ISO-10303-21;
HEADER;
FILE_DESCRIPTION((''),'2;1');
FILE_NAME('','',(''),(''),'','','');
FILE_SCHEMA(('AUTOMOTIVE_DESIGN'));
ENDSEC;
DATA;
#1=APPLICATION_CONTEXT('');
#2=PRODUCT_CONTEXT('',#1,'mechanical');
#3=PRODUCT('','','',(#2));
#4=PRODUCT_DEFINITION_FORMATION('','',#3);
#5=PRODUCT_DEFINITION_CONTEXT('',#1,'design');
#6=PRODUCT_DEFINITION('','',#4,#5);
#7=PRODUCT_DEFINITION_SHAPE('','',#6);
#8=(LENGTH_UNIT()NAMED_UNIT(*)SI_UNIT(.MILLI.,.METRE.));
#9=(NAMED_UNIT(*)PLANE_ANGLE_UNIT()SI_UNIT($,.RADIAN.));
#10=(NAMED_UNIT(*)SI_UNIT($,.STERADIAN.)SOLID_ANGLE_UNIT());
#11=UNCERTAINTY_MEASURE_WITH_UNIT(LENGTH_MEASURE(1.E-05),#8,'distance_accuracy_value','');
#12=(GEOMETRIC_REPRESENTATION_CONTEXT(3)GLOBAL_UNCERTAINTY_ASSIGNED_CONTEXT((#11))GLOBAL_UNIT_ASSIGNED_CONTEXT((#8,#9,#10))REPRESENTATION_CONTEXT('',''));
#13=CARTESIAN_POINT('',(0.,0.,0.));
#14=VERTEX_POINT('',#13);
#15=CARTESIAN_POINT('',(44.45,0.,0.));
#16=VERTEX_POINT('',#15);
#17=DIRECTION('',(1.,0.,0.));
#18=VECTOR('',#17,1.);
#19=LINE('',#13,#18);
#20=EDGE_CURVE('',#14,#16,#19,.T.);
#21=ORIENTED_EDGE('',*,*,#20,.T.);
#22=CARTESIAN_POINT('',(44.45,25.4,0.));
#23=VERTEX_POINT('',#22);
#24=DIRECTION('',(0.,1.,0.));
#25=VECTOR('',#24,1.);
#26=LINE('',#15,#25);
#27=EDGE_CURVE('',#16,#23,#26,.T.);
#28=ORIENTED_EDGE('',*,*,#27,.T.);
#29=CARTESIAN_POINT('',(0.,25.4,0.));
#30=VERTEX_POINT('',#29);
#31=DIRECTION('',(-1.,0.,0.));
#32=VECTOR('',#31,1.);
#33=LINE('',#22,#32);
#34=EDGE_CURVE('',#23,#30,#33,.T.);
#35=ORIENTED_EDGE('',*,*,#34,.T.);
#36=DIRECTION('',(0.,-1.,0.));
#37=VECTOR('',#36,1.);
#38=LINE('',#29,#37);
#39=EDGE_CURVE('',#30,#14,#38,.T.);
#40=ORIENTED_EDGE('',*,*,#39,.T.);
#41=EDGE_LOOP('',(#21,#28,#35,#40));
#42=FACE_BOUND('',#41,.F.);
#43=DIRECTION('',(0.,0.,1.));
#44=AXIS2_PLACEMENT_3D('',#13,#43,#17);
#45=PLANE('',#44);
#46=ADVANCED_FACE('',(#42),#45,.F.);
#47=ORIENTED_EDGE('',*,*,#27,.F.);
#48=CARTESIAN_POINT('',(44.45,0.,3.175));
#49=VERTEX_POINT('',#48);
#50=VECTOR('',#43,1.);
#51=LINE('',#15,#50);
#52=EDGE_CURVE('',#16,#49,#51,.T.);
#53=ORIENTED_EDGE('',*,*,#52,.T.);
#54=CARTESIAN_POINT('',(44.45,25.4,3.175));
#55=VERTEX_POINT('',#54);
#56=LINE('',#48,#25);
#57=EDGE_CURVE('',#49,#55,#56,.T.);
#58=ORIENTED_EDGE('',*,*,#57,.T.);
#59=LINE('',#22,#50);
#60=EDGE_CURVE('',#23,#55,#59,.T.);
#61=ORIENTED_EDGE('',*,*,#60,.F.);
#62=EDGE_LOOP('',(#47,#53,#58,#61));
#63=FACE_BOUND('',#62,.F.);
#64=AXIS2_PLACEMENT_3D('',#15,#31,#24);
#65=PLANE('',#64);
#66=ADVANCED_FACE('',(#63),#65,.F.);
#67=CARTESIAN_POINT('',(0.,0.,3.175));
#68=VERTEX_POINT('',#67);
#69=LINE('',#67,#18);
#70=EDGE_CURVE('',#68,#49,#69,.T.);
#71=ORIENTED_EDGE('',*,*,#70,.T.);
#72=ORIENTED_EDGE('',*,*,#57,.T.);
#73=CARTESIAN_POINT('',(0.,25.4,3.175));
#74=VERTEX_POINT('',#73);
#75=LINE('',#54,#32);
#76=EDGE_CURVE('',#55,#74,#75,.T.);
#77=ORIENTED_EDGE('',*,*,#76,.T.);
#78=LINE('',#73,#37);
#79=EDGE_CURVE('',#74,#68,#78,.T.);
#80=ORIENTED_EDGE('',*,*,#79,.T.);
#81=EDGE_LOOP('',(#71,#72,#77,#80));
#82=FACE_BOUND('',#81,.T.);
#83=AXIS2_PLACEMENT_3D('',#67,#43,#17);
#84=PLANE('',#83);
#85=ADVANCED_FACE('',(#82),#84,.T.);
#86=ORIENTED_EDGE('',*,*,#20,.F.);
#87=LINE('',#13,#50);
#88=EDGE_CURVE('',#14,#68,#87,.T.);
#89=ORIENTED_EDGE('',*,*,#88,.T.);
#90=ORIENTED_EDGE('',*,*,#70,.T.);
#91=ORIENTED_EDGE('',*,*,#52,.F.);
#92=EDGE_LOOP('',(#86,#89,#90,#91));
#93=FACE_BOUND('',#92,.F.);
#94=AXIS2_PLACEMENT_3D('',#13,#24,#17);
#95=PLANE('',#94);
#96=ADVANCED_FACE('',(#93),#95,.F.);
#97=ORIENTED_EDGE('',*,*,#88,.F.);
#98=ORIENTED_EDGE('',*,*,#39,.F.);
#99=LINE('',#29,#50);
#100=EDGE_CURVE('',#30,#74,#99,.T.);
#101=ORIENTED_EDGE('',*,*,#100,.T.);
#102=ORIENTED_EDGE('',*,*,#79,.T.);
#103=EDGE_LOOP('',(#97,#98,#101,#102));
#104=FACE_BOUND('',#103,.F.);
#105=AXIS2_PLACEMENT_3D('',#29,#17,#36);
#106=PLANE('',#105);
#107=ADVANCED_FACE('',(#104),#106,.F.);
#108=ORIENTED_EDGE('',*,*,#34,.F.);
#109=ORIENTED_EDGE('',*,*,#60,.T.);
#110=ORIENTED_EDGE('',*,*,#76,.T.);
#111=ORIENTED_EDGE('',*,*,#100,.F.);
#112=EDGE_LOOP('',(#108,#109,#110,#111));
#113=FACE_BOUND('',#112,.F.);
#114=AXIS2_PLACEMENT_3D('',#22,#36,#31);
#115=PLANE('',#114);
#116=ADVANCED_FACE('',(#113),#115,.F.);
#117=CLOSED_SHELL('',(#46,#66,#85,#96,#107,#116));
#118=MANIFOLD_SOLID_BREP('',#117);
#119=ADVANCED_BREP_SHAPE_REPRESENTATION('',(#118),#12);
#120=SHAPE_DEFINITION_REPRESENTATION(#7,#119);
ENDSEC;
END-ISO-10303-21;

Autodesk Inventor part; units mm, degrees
ref_plane "YZ Plane" through (0, 0, 0) normal (1, 0, 0) x (0, 1, 0)
ref_plane "XZ Plane" through (0, 0, 0) normal (0, 1, 0) x (-1, 0, 0)
ref_plane "XY Plane" through (0, 0, 0) normal (0, 0, 1) x (1, 0, 0)
sketch "Sketch1" plane through (0, 0, 0) normal (0, 0, 1) x (1, 0, 0)
  line L0 (0, 0) -> (44.45, 0)
  line L1 (44.45, 0) -> (44.45, 25.4)
  line L2 (44.45, 25.4) -> (0, 25.4)
  line L3 (0, 25.4) -> (0, 0)
  dimension "d0" = 44.45
  dimension "d1" = 25.4
extrude "Extrusion1" add sketch "Sketch1" along normal blind 3.175
properties part number "brak2" material "Iron, Gray"
